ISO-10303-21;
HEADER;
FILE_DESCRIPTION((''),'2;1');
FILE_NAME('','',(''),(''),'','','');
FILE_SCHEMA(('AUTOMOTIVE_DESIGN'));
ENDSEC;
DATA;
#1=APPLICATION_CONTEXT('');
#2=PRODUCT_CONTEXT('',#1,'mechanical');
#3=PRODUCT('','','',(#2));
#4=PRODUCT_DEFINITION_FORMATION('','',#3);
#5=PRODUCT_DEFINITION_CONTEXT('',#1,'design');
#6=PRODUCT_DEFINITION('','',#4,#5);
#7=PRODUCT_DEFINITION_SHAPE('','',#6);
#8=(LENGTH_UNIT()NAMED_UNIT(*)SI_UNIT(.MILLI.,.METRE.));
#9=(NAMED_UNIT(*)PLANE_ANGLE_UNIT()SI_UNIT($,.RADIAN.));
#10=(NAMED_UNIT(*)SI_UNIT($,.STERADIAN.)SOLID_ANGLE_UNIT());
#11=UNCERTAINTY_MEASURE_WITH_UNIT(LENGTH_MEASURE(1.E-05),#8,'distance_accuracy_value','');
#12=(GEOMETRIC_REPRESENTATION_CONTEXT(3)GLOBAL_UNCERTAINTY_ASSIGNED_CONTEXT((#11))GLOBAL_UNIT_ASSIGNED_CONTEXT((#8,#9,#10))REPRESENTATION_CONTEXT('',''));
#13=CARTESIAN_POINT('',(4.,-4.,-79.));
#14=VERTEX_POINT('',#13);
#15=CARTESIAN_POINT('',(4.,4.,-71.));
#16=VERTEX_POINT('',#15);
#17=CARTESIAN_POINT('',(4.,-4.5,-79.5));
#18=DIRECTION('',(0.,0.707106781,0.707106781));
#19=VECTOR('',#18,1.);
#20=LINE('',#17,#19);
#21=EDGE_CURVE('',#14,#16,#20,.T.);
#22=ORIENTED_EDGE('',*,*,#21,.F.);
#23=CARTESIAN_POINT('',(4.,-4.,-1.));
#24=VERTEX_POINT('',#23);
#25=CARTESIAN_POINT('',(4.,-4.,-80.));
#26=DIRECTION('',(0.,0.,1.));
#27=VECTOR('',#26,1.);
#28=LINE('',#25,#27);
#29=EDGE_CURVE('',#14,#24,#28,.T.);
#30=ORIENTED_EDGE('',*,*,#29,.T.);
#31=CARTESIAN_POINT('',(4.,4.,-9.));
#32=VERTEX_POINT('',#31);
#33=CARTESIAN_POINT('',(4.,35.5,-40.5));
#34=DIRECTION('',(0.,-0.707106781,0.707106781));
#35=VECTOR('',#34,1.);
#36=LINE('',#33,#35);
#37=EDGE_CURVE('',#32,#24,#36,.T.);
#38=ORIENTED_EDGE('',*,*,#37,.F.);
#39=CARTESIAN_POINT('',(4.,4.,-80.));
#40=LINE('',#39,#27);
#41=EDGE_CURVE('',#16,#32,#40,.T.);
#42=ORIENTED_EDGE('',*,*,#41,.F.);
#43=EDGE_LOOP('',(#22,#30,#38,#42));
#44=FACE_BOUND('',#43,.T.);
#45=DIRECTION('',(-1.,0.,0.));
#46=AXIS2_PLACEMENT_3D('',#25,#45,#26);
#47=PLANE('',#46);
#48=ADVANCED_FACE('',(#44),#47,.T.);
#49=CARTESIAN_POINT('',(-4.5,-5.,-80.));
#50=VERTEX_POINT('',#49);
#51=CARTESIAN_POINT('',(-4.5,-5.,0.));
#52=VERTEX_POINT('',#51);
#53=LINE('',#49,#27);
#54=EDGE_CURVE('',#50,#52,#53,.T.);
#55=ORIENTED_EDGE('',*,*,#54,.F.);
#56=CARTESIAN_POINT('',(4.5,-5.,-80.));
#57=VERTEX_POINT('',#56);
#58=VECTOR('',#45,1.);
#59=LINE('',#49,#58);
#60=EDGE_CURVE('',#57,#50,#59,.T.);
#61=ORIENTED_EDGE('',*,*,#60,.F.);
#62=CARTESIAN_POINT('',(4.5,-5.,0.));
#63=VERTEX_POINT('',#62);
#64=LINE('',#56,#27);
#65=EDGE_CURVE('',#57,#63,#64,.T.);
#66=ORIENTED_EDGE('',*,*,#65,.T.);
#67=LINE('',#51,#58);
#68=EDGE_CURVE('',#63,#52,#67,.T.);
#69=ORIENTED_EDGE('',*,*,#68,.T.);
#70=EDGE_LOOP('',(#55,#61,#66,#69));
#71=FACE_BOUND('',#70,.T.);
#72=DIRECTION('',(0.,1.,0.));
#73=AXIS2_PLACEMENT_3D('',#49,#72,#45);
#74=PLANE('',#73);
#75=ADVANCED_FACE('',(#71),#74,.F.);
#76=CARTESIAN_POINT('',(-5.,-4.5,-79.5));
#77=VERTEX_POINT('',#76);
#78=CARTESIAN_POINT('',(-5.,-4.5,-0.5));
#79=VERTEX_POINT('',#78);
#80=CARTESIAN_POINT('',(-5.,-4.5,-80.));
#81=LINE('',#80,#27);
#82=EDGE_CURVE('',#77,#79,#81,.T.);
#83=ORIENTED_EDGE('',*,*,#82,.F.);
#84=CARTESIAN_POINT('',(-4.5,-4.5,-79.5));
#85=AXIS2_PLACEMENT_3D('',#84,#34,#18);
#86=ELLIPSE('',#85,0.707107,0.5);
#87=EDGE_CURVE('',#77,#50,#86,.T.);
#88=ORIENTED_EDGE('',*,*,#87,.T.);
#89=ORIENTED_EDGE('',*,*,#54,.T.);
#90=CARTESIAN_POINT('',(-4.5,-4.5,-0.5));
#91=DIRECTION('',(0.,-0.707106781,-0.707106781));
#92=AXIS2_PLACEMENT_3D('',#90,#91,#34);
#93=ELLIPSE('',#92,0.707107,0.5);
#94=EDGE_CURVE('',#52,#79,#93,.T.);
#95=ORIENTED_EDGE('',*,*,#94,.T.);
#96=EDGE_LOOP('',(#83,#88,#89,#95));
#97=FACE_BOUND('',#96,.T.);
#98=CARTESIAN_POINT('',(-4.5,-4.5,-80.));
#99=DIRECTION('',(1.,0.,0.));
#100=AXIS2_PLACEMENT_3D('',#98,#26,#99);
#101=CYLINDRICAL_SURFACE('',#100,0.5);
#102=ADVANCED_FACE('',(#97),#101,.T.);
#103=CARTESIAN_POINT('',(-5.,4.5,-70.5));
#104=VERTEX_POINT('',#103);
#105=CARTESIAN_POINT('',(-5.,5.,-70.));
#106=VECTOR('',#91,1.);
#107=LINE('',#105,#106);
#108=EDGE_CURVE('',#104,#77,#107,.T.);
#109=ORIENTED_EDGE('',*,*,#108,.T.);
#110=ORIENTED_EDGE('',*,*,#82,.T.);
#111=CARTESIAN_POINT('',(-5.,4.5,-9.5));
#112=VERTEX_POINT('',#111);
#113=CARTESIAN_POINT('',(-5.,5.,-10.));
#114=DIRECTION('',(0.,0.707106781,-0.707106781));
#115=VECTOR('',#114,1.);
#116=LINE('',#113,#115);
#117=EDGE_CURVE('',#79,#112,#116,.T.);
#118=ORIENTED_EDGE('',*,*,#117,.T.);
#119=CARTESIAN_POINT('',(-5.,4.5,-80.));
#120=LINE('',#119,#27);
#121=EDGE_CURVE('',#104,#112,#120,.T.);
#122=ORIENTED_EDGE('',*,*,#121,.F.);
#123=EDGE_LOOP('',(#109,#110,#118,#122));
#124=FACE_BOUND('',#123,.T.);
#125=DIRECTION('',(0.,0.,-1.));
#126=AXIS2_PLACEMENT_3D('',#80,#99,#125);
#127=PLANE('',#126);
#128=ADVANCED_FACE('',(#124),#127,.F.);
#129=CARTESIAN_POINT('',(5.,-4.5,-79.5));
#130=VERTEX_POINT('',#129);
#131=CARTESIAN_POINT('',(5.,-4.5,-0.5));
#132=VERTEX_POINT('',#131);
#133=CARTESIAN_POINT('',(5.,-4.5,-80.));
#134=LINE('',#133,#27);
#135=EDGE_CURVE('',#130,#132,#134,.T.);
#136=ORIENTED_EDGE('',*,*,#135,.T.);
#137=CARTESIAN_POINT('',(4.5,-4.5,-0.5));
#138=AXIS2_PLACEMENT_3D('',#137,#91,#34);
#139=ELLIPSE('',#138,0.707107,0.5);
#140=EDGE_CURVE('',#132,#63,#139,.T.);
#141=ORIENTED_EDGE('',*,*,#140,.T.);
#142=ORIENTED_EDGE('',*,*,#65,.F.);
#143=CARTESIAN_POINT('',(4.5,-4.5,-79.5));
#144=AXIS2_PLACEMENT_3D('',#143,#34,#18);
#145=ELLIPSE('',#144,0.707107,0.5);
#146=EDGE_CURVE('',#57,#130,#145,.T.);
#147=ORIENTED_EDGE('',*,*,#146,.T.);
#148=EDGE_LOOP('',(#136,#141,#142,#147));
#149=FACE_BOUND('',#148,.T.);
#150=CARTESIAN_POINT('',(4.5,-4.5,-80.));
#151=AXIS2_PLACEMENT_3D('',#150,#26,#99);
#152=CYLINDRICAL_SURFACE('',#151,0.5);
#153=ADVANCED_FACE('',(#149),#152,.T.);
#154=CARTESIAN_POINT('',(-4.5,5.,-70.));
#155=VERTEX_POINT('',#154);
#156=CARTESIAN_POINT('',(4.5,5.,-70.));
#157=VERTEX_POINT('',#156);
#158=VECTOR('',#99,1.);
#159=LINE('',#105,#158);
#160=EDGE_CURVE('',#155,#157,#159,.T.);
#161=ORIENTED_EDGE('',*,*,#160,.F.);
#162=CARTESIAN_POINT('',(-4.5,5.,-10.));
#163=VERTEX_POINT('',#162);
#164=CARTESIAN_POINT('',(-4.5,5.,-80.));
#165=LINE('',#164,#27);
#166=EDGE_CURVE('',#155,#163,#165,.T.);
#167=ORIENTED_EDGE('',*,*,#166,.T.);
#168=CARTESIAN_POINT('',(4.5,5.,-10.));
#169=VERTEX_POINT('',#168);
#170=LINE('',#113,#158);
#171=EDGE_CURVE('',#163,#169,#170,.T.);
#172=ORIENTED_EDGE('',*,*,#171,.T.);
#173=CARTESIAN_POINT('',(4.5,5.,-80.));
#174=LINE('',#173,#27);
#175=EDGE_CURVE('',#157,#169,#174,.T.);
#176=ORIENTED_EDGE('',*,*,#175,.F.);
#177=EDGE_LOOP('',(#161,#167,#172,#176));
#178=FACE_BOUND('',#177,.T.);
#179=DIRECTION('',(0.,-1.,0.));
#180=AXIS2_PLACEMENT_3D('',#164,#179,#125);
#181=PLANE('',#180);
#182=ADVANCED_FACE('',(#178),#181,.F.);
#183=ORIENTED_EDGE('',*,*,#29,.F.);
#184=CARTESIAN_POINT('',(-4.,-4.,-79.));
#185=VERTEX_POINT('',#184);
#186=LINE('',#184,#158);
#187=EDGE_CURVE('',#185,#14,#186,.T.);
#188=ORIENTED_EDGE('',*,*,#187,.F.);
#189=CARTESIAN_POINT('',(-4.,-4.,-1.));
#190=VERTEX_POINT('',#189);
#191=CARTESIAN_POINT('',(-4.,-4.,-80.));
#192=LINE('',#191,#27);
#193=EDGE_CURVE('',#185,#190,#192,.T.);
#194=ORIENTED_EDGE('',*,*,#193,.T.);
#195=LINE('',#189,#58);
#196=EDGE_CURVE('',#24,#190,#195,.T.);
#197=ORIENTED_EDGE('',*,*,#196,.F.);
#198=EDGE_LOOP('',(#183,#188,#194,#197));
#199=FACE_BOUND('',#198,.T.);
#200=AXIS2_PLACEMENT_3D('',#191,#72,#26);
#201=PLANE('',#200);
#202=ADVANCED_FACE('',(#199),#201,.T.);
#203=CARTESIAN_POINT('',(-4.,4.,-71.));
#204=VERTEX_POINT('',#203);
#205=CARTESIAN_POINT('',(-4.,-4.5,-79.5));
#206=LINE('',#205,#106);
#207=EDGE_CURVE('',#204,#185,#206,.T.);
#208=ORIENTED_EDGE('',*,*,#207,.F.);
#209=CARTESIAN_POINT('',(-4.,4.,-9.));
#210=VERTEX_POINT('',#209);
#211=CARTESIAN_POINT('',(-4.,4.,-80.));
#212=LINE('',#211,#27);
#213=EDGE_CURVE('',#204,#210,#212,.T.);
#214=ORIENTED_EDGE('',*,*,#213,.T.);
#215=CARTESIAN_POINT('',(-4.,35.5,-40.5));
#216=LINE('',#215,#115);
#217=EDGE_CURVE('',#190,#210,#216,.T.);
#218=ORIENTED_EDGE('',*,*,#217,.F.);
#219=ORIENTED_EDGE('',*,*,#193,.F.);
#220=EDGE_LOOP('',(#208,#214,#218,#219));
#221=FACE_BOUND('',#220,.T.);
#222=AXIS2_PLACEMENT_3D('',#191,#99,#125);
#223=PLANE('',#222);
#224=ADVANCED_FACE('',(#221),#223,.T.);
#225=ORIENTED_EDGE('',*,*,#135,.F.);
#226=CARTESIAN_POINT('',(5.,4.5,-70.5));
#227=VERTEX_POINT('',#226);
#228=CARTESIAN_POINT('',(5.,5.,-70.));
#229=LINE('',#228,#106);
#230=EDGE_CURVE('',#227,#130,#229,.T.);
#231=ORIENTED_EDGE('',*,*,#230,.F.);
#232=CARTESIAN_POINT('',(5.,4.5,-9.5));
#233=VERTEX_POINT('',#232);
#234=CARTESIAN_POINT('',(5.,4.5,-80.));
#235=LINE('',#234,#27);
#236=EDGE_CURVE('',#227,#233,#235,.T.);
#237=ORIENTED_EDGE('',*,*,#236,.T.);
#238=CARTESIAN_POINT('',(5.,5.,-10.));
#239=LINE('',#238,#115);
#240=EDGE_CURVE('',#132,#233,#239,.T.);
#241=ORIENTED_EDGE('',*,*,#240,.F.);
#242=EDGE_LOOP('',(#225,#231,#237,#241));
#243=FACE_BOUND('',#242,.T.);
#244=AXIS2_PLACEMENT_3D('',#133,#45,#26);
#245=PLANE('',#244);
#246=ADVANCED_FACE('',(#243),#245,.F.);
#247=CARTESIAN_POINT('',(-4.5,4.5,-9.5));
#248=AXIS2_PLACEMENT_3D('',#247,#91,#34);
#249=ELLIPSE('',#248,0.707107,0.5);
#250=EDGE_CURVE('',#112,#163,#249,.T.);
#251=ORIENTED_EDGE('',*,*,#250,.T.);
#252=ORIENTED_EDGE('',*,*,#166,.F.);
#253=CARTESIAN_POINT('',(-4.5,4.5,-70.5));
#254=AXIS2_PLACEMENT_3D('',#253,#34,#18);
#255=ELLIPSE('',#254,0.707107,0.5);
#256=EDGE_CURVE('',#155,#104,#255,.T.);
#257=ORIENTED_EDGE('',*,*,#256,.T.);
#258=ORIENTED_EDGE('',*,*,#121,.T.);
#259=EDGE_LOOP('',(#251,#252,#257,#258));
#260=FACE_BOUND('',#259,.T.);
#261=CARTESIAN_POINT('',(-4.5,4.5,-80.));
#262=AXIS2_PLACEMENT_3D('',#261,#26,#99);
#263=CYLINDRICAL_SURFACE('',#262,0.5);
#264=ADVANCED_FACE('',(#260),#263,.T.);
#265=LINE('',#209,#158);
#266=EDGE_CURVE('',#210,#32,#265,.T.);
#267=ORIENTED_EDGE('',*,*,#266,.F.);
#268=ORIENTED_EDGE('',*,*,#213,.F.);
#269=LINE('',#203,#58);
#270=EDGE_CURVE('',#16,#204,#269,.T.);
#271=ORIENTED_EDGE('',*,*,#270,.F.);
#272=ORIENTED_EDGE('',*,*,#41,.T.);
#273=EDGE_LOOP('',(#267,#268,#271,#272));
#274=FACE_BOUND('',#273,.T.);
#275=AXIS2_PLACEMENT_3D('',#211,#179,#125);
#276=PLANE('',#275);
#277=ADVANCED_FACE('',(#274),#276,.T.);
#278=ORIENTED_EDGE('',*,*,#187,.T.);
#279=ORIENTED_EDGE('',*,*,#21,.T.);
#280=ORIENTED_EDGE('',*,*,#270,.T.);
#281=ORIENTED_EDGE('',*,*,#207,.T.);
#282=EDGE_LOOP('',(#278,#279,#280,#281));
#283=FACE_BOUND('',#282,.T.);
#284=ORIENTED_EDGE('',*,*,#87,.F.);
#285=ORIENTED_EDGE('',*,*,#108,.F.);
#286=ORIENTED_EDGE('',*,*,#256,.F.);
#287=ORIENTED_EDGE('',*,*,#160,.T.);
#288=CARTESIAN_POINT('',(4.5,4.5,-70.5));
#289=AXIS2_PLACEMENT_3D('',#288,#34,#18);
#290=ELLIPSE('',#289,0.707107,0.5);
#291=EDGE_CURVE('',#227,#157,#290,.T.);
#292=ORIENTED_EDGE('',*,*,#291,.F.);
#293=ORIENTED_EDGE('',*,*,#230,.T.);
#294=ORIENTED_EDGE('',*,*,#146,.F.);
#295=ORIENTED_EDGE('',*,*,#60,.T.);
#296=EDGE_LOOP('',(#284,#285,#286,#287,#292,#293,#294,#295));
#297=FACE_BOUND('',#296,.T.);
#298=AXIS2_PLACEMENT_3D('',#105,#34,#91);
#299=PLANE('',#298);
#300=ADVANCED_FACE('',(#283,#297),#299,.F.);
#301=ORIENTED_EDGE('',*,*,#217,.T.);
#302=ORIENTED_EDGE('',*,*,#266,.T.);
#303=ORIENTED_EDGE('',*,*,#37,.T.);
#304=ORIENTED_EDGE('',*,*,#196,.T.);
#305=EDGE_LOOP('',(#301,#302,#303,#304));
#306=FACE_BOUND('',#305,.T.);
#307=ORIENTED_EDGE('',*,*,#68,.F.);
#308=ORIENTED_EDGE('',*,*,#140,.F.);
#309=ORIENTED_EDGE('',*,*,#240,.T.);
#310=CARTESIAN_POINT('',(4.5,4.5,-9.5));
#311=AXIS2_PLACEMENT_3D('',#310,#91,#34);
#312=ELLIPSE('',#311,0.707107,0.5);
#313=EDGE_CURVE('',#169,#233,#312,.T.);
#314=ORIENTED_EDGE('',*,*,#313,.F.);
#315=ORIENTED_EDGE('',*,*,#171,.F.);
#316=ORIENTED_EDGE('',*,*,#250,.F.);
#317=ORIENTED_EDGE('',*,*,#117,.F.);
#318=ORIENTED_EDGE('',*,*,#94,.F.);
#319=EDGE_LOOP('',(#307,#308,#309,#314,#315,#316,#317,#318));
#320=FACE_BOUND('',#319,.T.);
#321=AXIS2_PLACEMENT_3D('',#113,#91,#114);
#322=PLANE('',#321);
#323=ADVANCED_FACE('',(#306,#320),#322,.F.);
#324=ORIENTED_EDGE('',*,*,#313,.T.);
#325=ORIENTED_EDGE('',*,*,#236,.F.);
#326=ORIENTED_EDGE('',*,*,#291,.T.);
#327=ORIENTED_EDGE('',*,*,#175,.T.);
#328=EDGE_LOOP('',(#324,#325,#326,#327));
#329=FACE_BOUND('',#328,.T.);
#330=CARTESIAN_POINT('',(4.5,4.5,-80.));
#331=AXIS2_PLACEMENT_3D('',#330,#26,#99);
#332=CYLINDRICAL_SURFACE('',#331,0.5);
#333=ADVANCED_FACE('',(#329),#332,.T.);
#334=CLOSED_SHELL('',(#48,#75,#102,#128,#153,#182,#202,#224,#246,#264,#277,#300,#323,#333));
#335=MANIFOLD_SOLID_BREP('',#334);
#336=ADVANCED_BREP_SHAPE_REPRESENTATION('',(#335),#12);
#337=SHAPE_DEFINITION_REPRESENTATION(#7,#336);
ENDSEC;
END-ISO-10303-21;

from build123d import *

# Parameters (mm, degrees)
SKETCH_11_W          = 8
SKETCH_11_H          = 8
MEMBER_10_10_1_DEPTH = 80
CUT_EXTRUDE_1_DEPTH  = 5


with BuildPart() as part:
    # 草图11 → Member 10_10_1 (new body)
    with BuildSketch(Plane.YX):
        with BuildLine():
            Line((-4.5, -5), (4.5, -5))
            ThreePointArc((4.5, -5), (4.853553391, -4.853553391), (5, -4.5))
            Line((5, -4.5), (5, 4.5))
            ThreePointArc((5, 4.5), (4.853553391, 4.853553391), (4.5, 5))
            Line((4.5, 5), (-4.5, 5))
            ThreePointArc((-4.5, 5), (-4.853553391, 4.853553391), (-5, 4.5))
            Line((-5, 4.5), (-5, -4.5))
            ThreePointArc((-5, -4.5), (-4.853553391, -4.853553391), (-4.5, -5))
        make_face()
        Rectangle(SKETCH_11_W, SKETCH_11_H, mode=Mode.SUBTRACT)
    extrude(amount=MEMBER_10_10_1_DEPTH)

    # 草图12 → 切除-拉伸1 (cut, symmetric)
    with BuildSketch(Plane(origin=(0, 0, 0), x_dir=(0, 0, -1), z_dir=(1, 0, 0))):
        Polygon((0, -5), (0, 5), (10, 5), align=None)
        Polygon((80, -5), (80, 5), (70, 5), align=None)
    extrude(amount=CUT_EXTRUDE_1_DEPTH, both=True, mode=Mode.SUBTRACT)


solid = part.part
